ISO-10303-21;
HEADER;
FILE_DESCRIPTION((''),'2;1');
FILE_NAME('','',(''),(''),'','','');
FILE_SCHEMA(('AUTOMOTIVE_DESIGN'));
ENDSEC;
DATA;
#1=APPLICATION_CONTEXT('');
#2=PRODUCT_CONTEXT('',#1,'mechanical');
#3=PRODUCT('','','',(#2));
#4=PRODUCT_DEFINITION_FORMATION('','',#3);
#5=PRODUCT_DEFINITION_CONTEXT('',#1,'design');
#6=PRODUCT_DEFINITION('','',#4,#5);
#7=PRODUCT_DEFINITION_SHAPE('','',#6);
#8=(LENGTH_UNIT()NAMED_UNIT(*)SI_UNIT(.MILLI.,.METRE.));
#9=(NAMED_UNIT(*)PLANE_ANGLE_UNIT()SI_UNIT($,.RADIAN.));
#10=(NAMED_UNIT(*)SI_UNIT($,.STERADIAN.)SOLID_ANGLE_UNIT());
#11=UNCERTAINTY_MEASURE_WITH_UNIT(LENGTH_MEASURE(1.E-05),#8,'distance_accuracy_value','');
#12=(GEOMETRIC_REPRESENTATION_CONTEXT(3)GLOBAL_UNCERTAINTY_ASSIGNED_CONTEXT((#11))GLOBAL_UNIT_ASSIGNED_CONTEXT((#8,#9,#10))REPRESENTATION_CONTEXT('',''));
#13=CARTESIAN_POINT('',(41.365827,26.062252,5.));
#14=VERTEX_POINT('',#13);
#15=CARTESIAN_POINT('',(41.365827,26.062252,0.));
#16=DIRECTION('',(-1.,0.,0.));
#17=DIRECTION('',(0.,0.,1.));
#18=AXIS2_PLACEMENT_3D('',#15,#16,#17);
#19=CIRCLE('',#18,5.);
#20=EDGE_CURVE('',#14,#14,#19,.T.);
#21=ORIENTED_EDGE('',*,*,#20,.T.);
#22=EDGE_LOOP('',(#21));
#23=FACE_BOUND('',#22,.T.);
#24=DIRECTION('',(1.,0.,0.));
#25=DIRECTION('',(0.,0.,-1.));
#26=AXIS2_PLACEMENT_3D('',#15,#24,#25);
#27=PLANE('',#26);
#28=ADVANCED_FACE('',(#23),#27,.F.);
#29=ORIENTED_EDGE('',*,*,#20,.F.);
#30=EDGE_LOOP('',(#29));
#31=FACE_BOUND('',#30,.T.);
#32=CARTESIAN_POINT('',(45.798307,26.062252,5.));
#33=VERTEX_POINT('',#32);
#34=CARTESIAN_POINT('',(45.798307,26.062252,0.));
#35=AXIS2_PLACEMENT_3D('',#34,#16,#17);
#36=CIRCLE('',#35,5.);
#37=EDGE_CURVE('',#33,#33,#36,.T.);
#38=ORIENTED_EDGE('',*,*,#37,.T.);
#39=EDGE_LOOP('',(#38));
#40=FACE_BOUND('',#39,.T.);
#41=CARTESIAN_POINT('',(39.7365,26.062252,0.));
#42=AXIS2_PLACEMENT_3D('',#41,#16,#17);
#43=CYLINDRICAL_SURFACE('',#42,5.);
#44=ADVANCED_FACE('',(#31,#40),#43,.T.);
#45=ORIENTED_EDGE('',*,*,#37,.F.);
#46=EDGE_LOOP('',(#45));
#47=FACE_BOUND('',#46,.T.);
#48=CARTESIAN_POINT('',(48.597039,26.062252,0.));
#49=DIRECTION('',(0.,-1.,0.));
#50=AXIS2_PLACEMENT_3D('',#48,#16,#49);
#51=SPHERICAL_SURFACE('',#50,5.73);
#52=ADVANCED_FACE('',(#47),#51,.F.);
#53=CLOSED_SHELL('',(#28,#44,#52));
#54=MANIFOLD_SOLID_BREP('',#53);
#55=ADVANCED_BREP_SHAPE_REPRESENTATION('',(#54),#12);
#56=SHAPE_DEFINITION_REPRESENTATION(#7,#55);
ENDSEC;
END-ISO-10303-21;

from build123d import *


with BuildPart() as part:
    # 草图1 → 旋转1 (revolve)
    with BuildSketch(Plane.XY, mode=Mode.PRIVATE) as revolve_1_sk:
        with BuildLine():
            Line((41.365827325, 26.062252183), (41.365827325, 31.062252183))
            Line((41.365827325, 31.062252183), (45.798307074, 31.062252183))
            ThreePointArc((45.798307074, 31.062252183), (43.653880348, 28.96019684), (42.86703893, 26.062252183))
            Line((42.86703893, 26.062252183), (41.365827325, 26.062252183))
        make_face()
    revolve(revolve_1_sk.sketch.rotate(Axis((39.736500013, 26.062252183, 0), (1, 0, 0)), 180), axis=Axis((39.736500013, 26.062252183, 0), (1, 0, 0)))  # turned: the seam where the file's is


solid = part.part
